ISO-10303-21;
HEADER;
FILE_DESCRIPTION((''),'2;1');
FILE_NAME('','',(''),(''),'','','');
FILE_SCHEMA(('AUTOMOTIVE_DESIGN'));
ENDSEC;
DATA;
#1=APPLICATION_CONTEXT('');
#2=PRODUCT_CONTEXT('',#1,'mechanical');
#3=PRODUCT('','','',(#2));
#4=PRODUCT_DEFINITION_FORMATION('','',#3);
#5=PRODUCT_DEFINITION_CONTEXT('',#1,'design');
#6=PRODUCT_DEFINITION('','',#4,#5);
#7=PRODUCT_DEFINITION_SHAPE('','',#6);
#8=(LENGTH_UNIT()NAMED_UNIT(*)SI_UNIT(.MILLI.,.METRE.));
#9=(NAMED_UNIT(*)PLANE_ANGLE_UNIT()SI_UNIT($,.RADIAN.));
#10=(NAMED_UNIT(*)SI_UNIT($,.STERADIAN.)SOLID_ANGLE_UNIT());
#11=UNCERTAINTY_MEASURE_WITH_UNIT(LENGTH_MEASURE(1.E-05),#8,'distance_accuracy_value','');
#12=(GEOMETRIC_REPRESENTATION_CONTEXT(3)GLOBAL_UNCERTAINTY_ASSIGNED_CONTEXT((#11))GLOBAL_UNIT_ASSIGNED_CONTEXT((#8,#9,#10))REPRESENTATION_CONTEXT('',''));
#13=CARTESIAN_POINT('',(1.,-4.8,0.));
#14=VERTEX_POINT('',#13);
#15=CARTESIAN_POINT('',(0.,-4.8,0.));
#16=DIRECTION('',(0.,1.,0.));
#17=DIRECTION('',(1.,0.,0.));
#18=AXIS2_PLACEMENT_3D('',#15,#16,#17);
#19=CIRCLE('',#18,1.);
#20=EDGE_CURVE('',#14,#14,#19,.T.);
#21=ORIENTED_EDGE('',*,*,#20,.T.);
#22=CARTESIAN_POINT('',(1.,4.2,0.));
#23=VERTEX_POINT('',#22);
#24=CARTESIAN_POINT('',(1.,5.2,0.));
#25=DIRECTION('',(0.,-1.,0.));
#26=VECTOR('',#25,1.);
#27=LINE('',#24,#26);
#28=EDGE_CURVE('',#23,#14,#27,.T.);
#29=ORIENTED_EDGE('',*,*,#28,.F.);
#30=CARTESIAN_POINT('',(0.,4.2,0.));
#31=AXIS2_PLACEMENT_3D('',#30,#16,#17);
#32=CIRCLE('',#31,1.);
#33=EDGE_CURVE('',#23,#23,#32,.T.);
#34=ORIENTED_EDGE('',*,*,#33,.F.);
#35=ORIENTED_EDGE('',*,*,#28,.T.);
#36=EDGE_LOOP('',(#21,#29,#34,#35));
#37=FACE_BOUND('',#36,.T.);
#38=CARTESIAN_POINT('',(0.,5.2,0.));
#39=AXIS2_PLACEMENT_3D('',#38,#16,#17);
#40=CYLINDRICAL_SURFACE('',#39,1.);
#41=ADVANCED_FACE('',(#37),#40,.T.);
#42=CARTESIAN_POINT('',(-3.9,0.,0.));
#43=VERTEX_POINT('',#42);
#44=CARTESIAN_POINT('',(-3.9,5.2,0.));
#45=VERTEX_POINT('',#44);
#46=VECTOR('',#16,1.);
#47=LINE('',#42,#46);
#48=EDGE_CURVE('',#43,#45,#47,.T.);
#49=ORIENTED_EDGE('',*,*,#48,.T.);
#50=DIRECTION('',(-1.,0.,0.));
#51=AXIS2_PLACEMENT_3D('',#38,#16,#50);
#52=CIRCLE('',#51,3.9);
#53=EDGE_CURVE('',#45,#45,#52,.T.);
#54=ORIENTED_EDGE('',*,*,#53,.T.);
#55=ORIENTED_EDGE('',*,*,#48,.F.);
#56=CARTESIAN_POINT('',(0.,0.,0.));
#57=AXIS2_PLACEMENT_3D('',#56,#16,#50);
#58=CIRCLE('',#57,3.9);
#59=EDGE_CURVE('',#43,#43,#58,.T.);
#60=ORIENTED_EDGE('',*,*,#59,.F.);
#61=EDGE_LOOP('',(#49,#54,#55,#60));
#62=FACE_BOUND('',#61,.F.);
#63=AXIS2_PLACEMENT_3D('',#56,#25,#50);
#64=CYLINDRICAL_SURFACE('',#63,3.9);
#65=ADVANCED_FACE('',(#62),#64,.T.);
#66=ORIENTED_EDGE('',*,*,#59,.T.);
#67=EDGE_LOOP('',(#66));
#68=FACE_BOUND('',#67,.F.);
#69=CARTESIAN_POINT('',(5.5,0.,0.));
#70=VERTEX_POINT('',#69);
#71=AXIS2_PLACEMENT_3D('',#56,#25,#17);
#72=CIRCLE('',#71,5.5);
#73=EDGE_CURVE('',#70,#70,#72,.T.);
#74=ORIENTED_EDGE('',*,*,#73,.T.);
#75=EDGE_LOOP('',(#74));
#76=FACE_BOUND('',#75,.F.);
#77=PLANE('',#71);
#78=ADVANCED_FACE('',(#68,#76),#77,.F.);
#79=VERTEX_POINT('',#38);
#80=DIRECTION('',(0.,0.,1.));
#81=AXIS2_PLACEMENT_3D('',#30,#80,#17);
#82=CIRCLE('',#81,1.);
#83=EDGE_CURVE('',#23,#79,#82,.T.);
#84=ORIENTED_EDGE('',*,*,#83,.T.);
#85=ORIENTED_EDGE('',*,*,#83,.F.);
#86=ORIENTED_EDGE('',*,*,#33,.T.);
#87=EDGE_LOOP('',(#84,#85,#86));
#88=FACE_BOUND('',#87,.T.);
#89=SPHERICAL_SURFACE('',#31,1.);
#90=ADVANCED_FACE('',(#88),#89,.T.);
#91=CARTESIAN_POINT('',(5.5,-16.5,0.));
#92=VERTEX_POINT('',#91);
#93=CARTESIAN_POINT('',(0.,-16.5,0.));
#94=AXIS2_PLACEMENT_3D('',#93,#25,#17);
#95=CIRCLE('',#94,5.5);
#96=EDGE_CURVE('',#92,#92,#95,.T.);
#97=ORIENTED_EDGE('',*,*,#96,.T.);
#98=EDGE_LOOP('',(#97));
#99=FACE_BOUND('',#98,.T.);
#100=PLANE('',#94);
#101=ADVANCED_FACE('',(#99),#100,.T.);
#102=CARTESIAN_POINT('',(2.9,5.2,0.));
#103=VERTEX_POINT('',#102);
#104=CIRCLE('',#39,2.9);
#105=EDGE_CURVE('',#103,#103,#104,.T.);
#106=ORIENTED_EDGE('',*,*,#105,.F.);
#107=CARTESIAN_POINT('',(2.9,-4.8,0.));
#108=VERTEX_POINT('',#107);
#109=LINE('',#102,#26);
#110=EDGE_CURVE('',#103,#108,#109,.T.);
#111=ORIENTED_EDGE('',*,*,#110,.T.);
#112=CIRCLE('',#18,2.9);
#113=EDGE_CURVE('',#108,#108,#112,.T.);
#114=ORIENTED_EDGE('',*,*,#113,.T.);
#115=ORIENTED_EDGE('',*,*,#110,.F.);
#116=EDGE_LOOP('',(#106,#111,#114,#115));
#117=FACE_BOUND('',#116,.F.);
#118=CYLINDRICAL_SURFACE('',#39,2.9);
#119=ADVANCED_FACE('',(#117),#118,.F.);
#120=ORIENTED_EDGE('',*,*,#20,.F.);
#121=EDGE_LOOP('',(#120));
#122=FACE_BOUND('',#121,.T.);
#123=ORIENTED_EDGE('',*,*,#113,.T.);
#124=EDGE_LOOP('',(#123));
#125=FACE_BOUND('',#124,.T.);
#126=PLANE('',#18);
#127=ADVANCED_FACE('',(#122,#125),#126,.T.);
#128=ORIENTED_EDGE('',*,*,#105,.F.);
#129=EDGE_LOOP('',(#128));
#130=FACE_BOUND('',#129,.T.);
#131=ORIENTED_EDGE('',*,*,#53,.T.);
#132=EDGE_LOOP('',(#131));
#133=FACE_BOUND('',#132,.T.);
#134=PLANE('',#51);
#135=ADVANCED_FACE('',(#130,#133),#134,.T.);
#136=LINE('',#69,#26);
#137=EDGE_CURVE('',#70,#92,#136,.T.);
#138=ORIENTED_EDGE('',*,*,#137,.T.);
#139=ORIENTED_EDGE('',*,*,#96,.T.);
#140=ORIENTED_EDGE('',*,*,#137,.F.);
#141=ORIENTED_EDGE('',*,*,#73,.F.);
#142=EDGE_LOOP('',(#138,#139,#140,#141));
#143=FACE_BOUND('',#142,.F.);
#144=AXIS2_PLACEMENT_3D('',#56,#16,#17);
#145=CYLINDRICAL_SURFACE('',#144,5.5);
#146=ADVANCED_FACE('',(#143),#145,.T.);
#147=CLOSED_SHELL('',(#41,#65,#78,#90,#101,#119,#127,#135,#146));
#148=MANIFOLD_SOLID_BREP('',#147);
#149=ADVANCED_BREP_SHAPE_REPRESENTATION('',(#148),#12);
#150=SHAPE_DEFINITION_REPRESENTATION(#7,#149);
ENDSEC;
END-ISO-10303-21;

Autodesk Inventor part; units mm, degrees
ref_plane "YZ Plane" through (0, 0, 0) normal (1, 0, 0) x (0, 1, 0)
ref_plane "XZ Plane" through (0, 0, 0) normal (0, 1, 0) x (-1, 0, 0)
ref_plane "XY Plane" through (0, 0, 0) normal (0, 0, 1) x (1, 0, 0)
sketch "Sketch1" plane through (0, 0, 0) normal (0, 1, 0) x (-1, 0, 0)
  circle A0 centre (0, 0) radius 3.9
  dimension "d0" = 7.8
extrude "Extrusion1" add sketch "Sketch1" along normal blind 5.2
sketch "Sketch2" plane through (0, 0, 0) normal (0, -1, 0) x (1, 0, 0)
  circle A0 centre (0, 0) radius 5.5
  dimension "d3" = 11
extrude "Extrusion2" add sketch "Sketch2" along normal blind 16.5
sketch "Sketch3" plane through (0, 5.2, 0) normal (0, 1, 0) x (1, 0, 0)
  circle A0 centre (0, 0) radius 2.9
  circle A1 centre (0, 0) radius 1
  dimension "d6" = 5.8
  dimension "d7" = 2
extrude "Extrusion3" cut sketch "Sketch3" against normal blind 10
fillet "Fillet1" radius 1 1 edges at (-1, 5.2, 0)
properties part number "Strom"
